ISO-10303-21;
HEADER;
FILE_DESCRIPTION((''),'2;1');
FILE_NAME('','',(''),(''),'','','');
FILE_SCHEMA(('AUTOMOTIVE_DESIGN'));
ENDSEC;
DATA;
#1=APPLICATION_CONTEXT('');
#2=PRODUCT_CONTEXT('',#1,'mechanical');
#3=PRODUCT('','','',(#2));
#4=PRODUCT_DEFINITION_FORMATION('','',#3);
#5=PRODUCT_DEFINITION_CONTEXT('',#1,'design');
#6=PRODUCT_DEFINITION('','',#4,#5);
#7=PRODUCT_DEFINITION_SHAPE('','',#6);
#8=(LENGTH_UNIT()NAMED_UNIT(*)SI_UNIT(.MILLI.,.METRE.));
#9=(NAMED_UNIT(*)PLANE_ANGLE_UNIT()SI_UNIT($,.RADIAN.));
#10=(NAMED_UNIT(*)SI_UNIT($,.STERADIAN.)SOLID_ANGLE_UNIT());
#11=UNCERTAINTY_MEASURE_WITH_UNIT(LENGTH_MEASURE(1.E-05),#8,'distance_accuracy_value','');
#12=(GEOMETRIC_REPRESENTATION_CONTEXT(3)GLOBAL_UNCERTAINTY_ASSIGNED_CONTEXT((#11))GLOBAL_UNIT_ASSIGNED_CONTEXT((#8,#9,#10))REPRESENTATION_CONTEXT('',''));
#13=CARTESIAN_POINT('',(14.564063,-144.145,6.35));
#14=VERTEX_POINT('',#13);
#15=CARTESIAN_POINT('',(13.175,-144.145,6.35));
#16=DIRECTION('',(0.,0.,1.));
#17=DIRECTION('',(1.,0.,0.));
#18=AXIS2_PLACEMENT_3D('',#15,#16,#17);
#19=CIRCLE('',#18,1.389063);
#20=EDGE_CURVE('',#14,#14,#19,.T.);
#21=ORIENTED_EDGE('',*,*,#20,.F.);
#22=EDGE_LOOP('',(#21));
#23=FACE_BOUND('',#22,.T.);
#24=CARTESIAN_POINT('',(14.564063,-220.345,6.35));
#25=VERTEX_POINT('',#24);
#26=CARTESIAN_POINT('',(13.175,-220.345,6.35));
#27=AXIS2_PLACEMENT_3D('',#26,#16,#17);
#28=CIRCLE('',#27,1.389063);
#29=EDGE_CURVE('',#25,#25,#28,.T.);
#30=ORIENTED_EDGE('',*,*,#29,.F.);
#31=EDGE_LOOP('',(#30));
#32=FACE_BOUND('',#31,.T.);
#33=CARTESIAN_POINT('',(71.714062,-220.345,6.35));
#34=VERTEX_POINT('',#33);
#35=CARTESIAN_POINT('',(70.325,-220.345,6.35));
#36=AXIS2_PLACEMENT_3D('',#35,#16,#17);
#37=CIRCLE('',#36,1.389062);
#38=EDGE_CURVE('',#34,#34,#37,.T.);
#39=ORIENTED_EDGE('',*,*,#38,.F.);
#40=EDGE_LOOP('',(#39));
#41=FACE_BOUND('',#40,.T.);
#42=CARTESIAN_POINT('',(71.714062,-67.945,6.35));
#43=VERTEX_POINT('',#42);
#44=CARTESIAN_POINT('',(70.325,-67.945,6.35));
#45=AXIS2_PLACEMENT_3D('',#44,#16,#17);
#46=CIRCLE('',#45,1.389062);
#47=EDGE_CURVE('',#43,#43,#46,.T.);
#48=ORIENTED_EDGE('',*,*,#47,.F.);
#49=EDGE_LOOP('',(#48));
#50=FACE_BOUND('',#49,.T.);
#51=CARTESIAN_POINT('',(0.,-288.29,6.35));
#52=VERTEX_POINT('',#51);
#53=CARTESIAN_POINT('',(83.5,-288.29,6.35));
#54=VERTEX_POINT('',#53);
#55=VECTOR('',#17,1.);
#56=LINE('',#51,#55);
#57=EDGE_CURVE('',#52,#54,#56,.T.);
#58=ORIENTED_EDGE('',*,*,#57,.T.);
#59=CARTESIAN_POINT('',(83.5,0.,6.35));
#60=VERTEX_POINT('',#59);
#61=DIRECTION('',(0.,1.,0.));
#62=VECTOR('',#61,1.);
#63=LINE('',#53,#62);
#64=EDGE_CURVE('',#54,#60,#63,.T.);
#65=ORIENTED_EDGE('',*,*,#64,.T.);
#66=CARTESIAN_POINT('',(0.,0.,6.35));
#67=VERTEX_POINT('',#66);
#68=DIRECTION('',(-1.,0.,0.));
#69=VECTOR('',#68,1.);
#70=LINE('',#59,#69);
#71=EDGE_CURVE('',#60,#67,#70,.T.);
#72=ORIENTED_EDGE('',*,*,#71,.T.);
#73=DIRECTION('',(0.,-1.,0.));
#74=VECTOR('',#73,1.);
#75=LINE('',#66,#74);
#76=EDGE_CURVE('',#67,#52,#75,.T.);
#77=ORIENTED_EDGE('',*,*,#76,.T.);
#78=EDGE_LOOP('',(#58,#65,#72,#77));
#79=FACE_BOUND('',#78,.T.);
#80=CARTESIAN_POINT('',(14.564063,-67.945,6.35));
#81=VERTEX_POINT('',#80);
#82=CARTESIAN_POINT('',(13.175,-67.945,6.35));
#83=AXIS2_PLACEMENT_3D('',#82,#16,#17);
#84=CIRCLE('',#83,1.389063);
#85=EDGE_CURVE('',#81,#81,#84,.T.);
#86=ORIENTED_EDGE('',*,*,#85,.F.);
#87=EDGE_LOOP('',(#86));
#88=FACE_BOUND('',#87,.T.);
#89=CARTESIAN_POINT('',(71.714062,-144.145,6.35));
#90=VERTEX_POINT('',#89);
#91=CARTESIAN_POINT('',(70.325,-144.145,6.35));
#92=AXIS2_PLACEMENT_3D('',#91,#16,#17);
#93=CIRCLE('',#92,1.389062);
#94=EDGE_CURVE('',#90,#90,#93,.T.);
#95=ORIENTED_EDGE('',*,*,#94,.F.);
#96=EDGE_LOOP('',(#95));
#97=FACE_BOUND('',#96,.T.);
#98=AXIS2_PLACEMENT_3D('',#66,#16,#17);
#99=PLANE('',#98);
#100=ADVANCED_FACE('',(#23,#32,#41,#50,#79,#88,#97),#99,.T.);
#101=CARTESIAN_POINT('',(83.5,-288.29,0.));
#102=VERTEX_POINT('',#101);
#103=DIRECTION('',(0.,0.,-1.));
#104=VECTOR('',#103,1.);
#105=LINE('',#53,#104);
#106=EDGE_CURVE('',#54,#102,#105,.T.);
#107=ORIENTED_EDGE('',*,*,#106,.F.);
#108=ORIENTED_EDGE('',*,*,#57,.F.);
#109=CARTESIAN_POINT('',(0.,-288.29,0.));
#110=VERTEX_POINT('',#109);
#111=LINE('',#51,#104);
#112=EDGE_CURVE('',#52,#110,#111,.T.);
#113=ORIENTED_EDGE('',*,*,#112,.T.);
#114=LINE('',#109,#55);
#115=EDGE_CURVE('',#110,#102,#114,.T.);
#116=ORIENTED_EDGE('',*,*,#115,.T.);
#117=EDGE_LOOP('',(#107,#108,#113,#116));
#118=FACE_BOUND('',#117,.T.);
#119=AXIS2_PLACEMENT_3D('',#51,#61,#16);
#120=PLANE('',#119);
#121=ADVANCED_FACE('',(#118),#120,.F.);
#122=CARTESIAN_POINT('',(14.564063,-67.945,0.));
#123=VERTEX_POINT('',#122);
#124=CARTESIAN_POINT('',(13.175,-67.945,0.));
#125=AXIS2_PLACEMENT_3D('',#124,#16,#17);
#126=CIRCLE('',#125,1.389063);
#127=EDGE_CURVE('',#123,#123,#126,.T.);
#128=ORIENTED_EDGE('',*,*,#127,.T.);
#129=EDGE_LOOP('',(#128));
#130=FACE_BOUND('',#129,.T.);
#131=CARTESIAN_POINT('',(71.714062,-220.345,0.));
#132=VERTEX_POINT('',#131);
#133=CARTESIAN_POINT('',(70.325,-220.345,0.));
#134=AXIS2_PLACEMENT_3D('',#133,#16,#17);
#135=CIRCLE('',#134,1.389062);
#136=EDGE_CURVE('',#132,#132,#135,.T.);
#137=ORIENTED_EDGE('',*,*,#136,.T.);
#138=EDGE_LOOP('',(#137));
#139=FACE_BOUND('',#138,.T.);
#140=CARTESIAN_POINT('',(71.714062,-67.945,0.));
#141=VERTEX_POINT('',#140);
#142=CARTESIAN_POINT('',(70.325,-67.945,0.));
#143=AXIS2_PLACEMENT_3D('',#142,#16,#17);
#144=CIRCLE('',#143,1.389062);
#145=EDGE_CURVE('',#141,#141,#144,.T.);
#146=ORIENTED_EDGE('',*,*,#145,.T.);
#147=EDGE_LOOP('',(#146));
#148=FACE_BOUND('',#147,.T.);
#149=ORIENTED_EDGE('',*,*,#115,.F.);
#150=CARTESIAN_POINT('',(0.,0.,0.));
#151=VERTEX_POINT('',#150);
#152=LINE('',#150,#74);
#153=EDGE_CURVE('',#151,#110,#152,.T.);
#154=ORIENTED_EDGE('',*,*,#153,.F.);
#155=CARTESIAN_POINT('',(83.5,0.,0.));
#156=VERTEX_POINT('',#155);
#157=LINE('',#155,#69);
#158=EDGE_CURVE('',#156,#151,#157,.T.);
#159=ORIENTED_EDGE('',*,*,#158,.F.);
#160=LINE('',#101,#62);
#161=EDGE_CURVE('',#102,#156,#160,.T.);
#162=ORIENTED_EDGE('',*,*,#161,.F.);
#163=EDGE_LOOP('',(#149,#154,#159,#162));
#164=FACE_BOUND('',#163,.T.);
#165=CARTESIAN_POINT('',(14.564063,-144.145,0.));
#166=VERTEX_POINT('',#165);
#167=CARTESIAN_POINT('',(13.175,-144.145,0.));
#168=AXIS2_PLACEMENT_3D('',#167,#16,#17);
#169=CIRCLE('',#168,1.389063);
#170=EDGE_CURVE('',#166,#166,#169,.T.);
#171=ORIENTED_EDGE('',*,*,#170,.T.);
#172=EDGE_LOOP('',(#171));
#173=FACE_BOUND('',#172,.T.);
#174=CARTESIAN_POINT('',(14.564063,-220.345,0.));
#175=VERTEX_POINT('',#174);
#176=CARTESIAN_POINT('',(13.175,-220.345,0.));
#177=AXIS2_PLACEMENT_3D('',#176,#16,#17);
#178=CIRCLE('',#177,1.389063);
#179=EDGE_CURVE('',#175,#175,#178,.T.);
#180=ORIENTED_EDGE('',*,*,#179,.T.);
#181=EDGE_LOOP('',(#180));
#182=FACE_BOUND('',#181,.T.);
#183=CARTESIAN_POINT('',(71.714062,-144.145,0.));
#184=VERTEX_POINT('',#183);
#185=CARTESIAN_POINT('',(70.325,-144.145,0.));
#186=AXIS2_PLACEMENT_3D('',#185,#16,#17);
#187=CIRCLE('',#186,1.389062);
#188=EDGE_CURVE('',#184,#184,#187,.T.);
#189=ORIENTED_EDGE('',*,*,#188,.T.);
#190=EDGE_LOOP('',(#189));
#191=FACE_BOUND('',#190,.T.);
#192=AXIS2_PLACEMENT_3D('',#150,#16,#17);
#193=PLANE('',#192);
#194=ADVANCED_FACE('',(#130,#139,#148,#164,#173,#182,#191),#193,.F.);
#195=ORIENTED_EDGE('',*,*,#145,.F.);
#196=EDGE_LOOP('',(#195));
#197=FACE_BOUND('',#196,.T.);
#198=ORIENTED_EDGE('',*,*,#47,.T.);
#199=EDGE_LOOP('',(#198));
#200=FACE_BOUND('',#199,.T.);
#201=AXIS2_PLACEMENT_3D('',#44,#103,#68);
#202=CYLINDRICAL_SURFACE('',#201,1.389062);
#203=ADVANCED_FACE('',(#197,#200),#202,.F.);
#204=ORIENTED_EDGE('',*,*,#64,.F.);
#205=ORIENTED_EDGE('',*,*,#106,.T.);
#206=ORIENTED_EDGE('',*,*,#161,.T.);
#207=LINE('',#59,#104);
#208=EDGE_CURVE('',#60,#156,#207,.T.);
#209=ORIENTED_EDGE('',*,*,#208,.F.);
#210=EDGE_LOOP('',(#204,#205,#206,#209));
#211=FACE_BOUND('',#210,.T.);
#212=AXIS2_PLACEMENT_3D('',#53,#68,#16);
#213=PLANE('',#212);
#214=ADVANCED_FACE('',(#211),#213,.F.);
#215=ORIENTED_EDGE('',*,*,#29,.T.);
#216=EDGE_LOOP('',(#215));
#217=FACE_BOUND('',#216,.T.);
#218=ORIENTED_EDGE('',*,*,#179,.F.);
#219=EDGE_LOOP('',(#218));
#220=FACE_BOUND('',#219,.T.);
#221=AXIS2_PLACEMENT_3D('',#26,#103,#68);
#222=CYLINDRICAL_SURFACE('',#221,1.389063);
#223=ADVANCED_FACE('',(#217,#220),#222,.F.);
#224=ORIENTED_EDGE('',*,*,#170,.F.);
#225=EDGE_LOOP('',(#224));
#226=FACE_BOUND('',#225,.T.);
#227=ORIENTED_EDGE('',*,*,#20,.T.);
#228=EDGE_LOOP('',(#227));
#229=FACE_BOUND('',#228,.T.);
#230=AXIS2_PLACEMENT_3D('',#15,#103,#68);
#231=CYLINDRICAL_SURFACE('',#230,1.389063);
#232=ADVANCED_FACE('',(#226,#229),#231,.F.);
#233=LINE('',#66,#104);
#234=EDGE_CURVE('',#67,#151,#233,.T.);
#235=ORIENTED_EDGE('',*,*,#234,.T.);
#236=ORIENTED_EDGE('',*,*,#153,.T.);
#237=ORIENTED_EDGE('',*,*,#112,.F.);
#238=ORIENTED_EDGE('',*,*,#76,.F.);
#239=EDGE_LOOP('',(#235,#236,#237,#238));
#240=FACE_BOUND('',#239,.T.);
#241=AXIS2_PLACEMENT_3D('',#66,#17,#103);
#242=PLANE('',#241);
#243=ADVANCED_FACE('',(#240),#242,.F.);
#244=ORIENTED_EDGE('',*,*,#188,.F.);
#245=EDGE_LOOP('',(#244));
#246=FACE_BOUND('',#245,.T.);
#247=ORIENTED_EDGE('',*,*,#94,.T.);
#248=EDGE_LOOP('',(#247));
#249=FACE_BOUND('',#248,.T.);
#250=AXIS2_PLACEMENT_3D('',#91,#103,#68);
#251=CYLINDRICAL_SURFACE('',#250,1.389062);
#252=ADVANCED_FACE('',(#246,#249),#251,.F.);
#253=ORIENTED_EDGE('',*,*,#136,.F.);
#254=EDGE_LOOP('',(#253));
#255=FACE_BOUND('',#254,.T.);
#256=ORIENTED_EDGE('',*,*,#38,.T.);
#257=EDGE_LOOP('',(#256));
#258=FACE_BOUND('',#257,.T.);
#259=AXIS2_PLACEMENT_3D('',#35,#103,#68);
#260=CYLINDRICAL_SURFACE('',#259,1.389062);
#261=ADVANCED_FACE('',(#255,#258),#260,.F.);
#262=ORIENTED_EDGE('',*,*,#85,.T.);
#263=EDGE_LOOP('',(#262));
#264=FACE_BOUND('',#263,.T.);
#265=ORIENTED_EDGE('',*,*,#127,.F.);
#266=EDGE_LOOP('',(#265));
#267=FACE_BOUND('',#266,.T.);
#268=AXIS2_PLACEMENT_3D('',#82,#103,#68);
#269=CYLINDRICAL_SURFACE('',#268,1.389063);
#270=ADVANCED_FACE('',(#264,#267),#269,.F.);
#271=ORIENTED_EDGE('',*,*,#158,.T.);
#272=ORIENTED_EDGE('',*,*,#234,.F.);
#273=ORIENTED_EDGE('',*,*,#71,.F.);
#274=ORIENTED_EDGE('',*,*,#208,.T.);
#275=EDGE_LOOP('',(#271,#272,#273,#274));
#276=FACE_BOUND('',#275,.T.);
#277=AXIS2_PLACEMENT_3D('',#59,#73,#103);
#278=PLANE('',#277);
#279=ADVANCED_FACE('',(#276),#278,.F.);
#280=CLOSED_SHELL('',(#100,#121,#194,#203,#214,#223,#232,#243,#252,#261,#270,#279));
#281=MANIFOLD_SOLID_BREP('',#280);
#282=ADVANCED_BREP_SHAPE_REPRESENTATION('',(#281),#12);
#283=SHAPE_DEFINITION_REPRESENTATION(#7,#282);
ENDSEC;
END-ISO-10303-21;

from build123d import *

# Parameters (mm, degrees)
SKETCH1_W           = 83.5
SKETCH1_H           = 288.29
SKETCH1_R           = 1.3890625
BOSS_EXTRUDE1_DEPTH = 6.35


with BuildPart() as part:
    # Sketch1 → Boss-Extrude1 (new body)
    with BuildSketch(Plane.XY):
        with Locations((41.75, -144.145)):
            Rectangle(SKETCH1_W, SKETCH1_H)
        with Locations((13.175, -220.345)):
            Circle(SKETCH1_R, mode=Mode.SUBTRACT)
        with Locations((70.325, -220.345)):
            Circle(SKETCH1_R, mode=Mode.SUBTRACT)
        with Locations((70.325, -144.145)):
            Circle(SKETCH1_R, mode=Mode.SUBTRACT)
        with Locations((13.175, -67.945)):
            Circle(SKETCH1_R, mode=Mode.SUBTRACT)
        with Locations((70.325, -67.945)):
            Circle(SKETCH1_R, mode=Mode.SUBTRACT)
        with Locations((13.175, -144.145)):
            Circle(SKETCH1_R, mode=Mode.SUBTRACT)
    extrude(amount=BOSS_EXTRUDE1_DEPTH)


solid = part.part
